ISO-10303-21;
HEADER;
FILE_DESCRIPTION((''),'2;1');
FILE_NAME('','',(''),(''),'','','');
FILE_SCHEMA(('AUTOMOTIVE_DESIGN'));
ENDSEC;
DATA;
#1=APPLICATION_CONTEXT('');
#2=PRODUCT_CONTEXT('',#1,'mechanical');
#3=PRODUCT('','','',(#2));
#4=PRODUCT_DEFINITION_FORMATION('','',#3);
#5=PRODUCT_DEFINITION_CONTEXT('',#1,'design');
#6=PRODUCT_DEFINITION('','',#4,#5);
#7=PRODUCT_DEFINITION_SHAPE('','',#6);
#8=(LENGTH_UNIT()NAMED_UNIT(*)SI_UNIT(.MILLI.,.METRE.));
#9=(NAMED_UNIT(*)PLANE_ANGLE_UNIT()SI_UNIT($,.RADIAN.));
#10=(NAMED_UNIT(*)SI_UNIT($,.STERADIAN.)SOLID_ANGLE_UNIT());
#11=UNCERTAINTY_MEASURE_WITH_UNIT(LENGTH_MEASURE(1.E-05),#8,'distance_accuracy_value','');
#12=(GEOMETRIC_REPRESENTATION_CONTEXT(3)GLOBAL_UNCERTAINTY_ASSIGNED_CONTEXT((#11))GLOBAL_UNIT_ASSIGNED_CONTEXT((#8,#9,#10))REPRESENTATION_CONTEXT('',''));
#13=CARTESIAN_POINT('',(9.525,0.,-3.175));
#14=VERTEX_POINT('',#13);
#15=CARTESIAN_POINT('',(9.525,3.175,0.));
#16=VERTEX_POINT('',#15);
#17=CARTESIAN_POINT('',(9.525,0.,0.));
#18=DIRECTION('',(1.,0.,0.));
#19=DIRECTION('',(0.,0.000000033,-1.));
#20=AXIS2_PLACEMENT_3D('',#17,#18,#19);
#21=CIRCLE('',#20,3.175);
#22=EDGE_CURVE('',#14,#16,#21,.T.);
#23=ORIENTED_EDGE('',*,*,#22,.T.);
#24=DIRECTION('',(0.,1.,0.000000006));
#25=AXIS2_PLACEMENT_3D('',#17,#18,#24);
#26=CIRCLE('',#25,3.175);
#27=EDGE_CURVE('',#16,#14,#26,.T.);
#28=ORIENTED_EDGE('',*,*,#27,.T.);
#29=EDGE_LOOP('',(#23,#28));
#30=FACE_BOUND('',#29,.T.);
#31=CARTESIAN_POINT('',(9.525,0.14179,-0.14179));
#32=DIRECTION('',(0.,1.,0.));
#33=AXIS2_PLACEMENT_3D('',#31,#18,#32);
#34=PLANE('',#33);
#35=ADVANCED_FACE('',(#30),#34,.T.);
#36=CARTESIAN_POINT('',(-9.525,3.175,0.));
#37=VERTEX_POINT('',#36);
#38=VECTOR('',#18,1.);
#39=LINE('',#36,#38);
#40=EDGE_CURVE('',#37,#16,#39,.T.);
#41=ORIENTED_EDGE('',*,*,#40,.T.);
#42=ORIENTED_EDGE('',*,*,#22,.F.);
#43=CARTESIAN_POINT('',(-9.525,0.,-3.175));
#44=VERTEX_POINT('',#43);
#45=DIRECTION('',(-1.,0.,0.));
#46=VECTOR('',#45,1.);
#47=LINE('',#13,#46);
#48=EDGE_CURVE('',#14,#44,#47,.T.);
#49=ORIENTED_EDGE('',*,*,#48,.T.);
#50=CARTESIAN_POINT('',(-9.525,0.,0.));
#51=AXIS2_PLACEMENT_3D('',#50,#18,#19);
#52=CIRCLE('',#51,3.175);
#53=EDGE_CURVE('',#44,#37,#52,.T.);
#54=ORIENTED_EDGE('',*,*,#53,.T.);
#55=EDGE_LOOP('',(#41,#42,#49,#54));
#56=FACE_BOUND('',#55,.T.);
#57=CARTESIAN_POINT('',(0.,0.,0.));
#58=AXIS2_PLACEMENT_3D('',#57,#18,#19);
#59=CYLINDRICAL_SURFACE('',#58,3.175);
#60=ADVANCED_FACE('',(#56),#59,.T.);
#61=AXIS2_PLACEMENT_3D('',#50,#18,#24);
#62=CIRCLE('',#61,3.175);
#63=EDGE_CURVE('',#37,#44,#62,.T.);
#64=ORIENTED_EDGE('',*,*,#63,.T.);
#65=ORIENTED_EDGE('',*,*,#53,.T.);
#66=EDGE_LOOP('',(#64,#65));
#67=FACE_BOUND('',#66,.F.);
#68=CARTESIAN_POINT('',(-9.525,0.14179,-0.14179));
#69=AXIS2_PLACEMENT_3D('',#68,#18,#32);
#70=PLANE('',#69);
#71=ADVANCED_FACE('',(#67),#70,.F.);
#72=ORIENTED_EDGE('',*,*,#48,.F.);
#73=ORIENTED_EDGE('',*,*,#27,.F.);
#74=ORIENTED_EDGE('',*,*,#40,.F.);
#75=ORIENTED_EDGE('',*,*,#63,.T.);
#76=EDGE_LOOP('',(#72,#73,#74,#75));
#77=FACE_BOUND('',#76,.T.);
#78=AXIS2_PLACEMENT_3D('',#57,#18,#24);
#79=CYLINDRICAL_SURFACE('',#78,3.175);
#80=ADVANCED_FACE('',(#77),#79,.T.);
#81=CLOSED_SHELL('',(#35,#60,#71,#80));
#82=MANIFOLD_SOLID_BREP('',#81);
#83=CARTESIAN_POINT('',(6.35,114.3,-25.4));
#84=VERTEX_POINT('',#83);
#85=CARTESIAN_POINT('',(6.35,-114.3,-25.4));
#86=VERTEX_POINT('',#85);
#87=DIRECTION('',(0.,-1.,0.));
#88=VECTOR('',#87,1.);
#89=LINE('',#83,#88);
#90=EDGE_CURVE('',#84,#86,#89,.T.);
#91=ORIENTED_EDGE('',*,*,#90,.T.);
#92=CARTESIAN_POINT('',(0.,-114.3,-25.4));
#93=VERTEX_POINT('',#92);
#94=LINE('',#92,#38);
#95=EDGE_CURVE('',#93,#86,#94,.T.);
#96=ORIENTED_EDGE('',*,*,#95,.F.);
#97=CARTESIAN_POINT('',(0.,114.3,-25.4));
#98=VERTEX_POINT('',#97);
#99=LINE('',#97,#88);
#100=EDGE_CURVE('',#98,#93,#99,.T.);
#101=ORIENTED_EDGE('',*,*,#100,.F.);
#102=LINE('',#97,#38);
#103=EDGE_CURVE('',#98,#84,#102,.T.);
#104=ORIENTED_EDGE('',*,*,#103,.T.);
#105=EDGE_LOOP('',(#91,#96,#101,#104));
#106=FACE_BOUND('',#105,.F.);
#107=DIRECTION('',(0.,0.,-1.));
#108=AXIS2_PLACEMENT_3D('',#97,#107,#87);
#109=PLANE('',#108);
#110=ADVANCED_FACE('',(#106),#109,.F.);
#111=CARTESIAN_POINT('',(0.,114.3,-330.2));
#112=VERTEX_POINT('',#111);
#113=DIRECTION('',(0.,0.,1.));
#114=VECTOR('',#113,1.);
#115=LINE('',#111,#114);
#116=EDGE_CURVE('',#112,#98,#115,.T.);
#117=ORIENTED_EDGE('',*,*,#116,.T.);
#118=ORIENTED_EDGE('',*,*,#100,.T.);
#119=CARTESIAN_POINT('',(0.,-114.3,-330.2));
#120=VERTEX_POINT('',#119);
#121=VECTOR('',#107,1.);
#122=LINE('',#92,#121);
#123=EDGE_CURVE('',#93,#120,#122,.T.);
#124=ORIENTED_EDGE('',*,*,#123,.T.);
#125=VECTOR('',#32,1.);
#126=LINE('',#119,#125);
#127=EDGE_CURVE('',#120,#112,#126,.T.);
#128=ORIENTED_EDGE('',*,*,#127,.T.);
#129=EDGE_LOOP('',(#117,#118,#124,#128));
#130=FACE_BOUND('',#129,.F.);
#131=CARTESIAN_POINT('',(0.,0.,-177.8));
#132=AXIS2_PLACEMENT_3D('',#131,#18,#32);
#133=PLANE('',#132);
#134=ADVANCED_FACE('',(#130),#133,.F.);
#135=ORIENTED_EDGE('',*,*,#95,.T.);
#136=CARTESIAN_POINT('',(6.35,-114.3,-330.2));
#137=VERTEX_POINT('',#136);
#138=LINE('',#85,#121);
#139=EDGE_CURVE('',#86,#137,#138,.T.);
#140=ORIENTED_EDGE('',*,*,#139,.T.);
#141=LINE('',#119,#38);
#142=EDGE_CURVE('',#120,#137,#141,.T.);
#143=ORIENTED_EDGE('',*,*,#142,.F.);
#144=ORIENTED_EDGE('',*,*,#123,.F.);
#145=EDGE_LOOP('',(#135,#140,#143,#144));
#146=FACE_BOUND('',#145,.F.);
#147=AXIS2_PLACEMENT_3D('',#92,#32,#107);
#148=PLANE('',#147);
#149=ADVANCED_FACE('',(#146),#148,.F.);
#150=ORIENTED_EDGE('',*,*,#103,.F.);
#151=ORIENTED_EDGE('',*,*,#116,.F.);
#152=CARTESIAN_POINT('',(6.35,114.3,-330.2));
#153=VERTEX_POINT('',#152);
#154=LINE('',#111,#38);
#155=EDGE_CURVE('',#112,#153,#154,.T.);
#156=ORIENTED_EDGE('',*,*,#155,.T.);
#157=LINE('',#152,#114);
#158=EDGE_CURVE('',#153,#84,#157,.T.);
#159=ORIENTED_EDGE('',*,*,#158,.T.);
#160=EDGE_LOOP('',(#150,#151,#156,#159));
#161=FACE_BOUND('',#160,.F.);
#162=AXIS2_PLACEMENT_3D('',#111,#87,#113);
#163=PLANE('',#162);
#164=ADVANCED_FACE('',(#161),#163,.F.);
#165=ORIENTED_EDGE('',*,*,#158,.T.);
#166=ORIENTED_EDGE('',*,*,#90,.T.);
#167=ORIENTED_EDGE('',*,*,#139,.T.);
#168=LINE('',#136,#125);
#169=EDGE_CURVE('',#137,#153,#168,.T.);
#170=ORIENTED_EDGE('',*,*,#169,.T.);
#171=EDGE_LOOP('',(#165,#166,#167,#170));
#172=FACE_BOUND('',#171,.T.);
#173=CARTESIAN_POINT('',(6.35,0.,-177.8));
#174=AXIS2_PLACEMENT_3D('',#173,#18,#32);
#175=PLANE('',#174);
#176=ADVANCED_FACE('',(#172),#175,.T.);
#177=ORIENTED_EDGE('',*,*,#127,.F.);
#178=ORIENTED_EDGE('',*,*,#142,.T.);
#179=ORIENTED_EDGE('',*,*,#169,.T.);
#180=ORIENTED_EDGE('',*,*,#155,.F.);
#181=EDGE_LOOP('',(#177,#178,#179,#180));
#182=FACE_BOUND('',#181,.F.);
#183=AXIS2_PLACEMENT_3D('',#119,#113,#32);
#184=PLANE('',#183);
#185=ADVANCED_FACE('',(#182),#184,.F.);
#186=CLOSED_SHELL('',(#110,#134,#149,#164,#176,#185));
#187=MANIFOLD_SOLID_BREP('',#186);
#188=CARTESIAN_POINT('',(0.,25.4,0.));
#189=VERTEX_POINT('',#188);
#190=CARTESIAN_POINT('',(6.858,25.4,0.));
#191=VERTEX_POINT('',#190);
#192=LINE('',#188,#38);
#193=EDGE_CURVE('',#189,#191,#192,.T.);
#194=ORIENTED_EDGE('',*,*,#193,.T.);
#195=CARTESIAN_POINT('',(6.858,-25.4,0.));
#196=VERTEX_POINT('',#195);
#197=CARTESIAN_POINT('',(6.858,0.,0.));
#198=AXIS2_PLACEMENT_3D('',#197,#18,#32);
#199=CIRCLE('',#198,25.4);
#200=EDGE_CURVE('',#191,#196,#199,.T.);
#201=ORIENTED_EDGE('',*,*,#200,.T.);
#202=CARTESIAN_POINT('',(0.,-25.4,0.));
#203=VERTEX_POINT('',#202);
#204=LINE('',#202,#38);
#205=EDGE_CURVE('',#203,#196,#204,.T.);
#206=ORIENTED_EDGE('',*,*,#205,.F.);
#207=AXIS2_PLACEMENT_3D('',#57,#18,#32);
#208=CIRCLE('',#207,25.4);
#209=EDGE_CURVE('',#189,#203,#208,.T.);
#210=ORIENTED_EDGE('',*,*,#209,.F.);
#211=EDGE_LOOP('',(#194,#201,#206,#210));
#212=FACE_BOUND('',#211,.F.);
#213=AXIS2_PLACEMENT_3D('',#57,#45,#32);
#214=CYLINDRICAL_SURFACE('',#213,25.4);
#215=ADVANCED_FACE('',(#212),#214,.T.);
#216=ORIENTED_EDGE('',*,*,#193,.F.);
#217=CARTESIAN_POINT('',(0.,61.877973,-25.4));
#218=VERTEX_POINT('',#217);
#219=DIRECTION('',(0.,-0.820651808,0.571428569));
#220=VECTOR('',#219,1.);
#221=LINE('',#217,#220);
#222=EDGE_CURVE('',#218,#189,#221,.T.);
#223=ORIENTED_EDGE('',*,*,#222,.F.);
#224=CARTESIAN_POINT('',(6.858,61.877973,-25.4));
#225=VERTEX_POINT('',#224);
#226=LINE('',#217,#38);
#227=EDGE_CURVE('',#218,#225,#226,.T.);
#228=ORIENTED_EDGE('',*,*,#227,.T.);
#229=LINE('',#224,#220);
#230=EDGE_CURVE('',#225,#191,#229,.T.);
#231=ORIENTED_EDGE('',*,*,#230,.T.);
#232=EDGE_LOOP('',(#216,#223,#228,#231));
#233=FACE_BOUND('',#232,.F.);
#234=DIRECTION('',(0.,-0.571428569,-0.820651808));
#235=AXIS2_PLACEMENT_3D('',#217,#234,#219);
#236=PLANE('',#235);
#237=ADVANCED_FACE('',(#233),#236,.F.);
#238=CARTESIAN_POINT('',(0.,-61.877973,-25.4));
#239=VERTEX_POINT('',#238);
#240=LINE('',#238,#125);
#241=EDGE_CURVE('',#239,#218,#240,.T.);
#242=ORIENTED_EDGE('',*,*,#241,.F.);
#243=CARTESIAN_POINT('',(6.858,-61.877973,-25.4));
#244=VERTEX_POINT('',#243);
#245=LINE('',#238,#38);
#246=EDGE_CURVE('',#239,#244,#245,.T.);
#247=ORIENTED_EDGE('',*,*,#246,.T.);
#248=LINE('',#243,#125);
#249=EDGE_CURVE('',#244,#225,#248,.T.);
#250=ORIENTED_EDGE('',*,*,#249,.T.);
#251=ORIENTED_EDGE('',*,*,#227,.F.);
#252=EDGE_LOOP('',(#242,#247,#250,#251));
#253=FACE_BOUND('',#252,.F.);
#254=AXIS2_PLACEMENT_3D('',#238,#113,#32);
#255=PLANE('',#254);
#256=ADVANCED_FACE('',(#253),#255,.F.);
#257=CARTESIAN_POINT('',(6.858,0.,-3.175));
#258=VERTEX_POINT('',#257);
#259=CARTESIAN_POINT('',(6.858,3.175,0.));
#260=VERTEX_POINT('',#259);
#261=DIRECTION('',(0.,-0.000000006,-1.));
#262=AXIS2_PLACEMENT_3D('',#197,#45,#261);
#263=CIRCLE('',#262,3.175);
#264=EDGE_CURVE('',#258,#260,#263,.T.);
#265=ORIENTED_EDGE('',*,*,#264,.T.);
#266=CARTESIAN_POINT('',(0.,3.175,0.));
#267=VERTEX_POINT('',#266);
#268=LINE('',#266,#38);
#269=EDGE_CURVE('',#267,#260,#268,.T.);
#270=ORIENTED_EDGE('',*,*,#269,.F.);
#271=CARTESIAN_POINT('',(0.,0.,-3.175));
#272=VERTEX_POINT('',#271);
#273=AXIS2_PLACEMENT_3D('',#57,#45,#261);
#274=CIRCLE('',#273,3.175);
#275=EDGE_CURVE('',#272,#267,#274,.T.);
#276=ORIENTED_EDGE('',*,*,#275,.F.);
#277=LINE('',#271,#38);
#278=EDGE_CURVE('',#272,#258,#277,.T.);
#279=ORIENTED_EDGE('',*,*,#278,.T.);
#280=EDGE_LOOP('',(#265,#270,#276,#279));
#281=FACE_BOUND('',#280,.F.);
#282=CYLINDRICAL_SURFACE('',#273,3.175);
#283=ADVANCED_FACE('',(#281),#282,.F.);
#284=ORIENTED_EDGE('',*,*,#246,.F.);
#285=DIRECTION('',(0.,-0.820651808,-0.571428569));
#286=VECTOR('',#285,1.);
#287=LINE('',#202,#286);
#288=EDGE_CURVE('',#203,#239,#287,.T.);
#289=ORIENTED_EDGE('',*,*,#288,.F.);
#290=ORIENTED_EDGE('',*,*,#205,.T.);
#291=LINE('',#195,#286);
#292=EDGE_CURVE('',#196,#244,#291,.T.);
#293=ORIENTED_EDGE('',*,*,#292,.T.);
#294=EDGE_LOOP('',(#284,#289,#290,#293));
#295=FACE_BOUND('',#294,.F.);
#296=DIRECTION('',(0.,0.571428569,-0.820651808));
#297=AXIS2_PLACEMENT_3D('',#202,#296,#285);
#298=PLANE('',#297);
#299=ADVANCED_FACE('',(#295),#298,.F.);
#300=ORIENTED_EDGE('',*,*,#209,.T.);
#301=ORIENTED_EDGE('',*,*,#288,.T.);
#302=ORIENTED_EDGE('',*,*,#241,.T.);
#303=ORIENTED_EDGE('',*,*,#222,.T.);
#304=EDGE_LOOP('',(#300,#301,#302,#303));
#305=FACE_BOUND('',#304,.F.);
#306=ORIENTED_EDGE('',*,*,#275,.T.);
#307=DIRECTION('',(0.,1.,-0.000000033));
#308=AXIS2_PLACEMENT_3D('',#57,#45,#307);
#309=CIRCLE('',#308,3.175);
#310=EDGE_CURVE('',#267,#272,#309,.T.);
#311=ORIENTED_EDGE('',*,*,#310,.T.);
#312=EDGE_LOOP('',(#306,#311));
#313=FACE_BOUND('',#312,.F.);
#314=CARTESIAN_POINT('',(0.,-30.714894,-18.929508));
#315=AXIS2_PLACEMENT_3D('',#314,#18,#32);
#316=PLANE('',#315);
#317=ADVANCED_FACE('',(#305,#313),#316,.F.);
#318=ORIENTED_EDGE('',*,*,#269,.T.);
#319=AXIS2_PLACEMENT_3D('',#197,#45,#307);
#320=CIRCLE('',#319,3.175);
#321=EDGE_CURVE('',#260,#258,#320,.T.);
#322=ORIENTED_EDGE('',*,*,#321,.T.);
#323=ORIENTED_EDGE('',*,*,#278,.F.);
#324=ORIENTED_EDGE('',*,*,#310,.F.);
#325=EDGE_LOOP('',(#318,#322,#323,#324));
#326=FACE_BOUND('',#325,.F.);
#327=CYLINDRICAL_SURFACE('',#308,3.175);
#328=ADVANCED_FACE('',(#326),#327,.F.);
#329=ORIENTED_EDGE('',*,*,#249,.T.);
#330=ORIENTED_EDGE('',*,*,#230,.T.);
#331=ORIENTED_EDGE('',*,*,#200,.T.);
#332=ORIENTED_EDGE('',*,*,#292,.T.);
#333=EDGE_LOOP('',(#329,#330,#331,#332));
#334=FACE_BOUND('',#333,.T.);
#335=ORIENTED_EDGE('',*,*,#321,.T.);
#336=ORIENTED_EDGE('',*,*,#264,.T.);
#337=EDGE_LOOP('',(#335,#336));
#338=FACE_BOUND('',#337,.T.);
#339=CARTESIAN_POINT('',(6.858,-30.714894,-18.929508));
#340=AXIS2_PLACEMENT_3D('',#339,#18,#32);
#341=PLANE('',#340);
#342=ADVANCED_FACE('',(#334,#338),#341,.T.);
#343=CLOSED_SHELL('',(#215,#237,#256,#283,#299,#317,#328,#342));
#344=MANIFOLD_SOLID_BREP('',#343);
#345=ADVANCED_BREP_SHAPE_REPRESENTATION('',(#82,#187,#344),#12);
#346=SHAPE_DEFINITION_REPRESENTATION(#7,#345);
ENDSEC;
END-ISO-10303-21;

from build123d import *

# Parameters (mm, degrees)
F1_DEPTH = 9.525
F2_DEPTH = 6.35
F3_DEPTH = 6.858


with BuildPart() as f1:
    # F0 (on Right) → F1 (new body, symmetric)
    with BuildSketch(Plane.YZ):
        with BuildLine():
            ThreePointArc((0, -3.175), (2.245064, -2.245064), (3.175, 0))
            ThreePointArc((3.175, 0), (-2.245064, 2.245064), (0, -3.175))
        make_face()
    extrude(amount=F1_DEPTH, both=True)


with BuildPart() as f2:
    # F0 (on Right) → F2 (new body)
    with BuildSketch(Plane.YZ):
        Polygon((61.877973, -25.4), (0, -25.4), (-61.877973, -25.4), (-114.3, -25.4), (-114.3, -330.2), (114.3, -330.2), (114.3, -25.4), align=None)
    extrude(amount=F2_DEPTH)


with BuildPart() as f3:
    # F0 (on Right) → F3 (new body)
    with BuildSketch(Plane.YZ):
        with BuildLine():
            Line((-61.877973, -25.4), (0, -25.4))
            ThreePointArc((0, -25.4), (-17.960512, -17.960512), (-25.4, 0))
            Line((-25.4, 0), (-61.877973, -25.4))
        make_face()
        with BuildLine():
            ThreePointArc((-25.4, 0), (-17.960512, -17.960512), (0, -25.4))
            ThreePointArc((0, -25.4), (17.960512, -17.960512), (25.4, 0))
            ThreePointArc((25.4, 0), (0, 25.4), (-25.4, 0))
        make_face()
        with BuildLine():
            ThreePointArc((0, -3.175), (-2.245064, 2.245064), (3.175, 0))
            ThreePointArc((3.175, 0), (2.245064, -2.245064), (0, -3.175))
        make_face(mode=Mode.SUBTRACT)
        with BuildLine():
            ThreePointArc((25.4, 0), (17.960512, -17.960512), (0, -25.4))
            Line((0, -25.4), (61.877973, -25.4))
            Line((61.877973, -25.4), (25.4, 0))
        make_face()
    extrude(amount=F3_DEPTH)


solid = Compound([f1.part, f2.part, f3.part])
